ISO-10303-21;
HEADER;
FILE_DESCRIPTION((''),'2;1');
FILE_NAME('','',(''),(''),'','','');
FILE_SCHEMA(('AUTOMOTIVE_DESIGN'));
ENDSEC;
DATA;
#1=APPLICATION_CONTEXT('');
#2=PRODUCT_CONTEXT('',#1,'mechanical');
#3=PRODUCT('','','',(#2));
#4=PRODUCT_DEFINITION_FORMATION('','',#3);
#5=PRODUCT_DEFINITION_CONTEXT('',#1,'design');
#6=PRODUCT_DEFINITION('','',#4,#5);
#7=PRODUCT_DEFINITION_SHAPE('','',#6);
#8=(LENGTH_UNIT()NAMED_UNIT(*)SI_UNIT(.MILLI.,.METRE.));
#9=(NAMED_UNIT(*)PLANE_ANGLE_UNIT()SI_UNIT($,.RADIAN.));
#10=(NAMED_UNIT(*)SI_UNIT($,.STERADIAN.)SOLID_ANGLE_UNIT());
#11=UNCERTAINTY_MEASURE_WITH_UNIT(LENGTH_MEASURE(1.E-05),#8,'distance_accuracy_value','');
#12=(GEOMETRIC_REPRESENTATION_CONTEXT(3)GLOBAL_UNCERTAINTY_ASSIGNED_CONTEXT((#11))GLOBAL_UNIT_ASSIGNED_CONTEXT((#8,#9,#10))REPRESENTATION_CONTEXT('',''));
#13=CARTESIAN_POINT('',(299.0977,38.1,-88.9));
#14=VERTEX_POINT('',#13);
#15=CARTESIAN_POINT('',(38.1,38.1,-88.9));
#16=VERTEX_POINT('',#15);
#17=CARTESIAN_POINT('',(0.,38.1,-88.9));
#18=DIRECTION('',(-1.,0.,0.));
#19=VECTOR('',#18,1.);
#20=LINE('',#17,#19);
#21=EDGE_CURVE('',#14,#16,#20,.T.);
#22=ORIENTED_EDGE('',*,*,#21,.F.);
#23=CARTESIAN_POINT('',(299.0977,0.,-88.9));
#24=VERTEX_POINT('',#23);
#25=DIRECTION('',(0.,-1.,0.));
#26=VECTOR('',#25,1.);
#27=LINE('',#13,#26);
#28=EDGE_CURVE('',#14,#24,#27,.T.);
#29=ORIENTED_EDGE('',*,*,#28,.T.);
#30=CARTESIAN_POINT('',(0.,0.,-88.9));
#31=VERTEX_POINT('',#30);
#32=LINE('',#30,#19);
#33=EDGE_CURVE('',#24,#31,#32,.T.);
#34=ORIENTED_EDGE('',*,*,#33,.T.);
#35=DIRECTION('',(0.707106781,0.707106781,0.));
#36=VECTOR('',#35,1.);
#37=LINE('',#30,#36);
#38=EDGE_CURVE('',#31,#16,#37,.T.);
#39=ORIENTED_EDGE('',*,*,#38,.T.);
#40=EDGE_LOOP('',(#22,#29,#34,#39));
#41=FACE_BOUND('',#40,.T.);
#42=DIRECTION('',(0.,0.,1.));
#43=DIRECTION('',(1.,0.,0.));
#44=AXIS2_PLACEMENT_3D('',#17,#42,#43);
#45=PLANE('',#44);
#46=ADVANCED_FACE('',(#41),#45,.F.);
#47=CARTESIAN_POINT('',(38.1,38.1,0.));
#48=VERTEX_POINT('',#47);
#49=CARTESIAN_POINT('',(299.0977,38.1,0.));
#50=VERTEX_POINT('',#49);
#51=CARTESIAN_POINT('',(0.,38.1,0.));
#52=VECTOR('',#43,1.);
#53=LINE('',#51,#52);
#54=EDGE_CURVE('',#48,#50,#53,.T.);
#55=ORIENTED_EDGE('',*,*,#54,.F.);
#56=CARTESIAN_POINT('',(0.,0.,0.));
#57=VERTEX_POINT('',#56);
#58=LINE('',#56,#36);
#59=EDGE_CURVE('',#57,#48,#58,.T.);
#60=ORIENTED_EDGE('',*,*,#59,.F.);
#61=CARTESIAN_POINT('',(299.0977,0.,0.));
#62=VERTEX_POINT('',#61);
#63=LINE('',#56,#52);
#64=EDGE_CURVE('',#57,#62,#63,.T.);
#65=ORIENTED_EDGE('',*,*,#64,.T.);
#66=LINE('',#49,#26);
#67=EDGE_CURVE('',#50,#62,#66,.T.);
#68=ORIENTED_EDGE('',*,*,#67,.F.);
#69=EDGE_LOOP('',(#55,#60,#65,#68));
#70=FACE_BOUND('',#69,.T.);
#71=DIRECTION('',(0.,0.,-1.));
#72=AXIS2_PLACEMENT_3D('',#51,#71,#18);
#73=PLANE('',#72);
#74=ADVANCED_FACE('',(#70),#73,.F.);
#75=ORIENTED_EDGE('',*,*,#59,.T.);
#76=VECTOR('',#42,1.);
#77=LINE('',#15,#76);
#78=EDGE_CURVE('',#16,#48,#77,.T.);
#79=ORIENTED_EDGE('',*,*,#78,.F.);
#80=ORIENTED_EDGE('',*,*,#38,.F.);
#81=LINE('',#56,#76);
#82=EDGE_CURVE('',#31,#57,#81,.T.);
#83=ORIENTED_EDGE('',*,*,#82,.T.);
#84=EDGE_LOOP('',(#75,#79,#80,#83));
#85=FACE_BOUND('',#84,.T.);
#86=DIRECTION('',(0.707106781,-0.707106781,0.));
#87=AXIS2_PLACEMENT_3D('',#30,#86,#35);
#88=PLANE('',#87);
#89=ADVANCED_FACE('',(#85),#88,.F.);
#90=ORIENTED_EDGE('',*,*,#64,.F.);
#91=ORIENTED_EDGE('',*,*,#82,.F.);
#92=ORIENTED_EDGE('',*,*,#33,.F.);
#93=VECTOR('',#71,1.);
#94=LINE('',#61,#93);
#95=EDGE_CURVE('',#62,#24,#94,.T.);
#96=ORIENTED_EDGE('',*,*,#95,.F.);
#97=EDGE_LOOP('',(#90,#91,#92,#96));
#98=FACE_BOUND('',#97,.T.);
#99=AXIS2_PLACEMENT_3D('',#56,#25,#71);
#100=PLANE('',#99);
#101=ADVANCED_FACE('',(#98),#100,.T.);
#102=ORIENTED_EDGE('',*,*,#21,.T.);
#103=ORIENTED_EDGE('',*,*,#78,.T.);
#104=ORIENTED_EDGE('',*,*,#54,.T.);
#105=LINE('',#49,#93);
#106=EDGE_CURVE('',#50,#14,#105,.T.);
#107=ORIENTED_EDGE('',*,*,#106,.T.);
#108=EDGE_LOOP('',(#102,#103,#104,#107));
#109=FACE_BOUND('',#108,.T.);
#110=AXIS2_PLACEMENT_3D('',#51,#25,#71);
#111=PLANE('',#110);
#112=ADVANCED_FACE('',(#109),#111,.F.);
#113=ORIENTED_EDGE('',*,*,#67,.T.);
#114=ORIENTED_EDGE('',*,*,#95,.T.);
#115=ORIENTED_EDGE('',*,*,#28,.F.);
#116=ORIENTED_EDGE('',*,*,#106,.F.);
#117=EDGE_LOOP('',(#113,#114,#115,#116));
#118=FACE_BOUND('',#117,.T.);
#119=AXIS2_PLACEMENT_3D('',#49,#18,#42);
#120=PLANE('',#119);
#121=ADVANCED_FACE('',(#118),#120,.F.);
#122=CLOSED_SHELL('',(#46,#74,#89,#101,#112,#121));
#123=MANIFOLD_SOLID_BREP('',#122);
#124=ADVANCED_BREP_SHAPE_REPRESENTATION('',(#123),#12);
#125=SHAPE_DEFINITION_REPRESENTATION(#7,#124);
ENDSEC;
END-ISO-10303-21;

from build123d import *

# Parameters (mm, degrees)
SKETCH1_W           = 299.0977
SKETCH1_H           = 88.9
BOSS_EXTRUDE1_DEPTH = 38.1
CUT_EXTRUDE1_DEPTH  = 89.9


with BuildPart() as part:
    # Sketch1 → Boss-Extrude1 (new body)
    with BuildSketch(Plane(origin=(0, 0, 0), x_dir=(1, 0, 0), z_dir=(0, 1, 0))):
        with Locations((149.54885, 44.45)):
            Rectangle(SKETCH1_W, SKETCH1_H)
    extrude(amount=BOSS_EXTRUDE1_DEPTH)

    # Sketch2 → Cut-Extrude1 (cut, through all)
    with BuildSketch(Plane.XY):
        Polygon((0, 0), (38.1, 38.1), (0, 38.1), align=None)
    extrude(amount=-CUT_EXTRUDE1_DEPTH, mode=Mode.SUBTRACT)


solid = part.part
